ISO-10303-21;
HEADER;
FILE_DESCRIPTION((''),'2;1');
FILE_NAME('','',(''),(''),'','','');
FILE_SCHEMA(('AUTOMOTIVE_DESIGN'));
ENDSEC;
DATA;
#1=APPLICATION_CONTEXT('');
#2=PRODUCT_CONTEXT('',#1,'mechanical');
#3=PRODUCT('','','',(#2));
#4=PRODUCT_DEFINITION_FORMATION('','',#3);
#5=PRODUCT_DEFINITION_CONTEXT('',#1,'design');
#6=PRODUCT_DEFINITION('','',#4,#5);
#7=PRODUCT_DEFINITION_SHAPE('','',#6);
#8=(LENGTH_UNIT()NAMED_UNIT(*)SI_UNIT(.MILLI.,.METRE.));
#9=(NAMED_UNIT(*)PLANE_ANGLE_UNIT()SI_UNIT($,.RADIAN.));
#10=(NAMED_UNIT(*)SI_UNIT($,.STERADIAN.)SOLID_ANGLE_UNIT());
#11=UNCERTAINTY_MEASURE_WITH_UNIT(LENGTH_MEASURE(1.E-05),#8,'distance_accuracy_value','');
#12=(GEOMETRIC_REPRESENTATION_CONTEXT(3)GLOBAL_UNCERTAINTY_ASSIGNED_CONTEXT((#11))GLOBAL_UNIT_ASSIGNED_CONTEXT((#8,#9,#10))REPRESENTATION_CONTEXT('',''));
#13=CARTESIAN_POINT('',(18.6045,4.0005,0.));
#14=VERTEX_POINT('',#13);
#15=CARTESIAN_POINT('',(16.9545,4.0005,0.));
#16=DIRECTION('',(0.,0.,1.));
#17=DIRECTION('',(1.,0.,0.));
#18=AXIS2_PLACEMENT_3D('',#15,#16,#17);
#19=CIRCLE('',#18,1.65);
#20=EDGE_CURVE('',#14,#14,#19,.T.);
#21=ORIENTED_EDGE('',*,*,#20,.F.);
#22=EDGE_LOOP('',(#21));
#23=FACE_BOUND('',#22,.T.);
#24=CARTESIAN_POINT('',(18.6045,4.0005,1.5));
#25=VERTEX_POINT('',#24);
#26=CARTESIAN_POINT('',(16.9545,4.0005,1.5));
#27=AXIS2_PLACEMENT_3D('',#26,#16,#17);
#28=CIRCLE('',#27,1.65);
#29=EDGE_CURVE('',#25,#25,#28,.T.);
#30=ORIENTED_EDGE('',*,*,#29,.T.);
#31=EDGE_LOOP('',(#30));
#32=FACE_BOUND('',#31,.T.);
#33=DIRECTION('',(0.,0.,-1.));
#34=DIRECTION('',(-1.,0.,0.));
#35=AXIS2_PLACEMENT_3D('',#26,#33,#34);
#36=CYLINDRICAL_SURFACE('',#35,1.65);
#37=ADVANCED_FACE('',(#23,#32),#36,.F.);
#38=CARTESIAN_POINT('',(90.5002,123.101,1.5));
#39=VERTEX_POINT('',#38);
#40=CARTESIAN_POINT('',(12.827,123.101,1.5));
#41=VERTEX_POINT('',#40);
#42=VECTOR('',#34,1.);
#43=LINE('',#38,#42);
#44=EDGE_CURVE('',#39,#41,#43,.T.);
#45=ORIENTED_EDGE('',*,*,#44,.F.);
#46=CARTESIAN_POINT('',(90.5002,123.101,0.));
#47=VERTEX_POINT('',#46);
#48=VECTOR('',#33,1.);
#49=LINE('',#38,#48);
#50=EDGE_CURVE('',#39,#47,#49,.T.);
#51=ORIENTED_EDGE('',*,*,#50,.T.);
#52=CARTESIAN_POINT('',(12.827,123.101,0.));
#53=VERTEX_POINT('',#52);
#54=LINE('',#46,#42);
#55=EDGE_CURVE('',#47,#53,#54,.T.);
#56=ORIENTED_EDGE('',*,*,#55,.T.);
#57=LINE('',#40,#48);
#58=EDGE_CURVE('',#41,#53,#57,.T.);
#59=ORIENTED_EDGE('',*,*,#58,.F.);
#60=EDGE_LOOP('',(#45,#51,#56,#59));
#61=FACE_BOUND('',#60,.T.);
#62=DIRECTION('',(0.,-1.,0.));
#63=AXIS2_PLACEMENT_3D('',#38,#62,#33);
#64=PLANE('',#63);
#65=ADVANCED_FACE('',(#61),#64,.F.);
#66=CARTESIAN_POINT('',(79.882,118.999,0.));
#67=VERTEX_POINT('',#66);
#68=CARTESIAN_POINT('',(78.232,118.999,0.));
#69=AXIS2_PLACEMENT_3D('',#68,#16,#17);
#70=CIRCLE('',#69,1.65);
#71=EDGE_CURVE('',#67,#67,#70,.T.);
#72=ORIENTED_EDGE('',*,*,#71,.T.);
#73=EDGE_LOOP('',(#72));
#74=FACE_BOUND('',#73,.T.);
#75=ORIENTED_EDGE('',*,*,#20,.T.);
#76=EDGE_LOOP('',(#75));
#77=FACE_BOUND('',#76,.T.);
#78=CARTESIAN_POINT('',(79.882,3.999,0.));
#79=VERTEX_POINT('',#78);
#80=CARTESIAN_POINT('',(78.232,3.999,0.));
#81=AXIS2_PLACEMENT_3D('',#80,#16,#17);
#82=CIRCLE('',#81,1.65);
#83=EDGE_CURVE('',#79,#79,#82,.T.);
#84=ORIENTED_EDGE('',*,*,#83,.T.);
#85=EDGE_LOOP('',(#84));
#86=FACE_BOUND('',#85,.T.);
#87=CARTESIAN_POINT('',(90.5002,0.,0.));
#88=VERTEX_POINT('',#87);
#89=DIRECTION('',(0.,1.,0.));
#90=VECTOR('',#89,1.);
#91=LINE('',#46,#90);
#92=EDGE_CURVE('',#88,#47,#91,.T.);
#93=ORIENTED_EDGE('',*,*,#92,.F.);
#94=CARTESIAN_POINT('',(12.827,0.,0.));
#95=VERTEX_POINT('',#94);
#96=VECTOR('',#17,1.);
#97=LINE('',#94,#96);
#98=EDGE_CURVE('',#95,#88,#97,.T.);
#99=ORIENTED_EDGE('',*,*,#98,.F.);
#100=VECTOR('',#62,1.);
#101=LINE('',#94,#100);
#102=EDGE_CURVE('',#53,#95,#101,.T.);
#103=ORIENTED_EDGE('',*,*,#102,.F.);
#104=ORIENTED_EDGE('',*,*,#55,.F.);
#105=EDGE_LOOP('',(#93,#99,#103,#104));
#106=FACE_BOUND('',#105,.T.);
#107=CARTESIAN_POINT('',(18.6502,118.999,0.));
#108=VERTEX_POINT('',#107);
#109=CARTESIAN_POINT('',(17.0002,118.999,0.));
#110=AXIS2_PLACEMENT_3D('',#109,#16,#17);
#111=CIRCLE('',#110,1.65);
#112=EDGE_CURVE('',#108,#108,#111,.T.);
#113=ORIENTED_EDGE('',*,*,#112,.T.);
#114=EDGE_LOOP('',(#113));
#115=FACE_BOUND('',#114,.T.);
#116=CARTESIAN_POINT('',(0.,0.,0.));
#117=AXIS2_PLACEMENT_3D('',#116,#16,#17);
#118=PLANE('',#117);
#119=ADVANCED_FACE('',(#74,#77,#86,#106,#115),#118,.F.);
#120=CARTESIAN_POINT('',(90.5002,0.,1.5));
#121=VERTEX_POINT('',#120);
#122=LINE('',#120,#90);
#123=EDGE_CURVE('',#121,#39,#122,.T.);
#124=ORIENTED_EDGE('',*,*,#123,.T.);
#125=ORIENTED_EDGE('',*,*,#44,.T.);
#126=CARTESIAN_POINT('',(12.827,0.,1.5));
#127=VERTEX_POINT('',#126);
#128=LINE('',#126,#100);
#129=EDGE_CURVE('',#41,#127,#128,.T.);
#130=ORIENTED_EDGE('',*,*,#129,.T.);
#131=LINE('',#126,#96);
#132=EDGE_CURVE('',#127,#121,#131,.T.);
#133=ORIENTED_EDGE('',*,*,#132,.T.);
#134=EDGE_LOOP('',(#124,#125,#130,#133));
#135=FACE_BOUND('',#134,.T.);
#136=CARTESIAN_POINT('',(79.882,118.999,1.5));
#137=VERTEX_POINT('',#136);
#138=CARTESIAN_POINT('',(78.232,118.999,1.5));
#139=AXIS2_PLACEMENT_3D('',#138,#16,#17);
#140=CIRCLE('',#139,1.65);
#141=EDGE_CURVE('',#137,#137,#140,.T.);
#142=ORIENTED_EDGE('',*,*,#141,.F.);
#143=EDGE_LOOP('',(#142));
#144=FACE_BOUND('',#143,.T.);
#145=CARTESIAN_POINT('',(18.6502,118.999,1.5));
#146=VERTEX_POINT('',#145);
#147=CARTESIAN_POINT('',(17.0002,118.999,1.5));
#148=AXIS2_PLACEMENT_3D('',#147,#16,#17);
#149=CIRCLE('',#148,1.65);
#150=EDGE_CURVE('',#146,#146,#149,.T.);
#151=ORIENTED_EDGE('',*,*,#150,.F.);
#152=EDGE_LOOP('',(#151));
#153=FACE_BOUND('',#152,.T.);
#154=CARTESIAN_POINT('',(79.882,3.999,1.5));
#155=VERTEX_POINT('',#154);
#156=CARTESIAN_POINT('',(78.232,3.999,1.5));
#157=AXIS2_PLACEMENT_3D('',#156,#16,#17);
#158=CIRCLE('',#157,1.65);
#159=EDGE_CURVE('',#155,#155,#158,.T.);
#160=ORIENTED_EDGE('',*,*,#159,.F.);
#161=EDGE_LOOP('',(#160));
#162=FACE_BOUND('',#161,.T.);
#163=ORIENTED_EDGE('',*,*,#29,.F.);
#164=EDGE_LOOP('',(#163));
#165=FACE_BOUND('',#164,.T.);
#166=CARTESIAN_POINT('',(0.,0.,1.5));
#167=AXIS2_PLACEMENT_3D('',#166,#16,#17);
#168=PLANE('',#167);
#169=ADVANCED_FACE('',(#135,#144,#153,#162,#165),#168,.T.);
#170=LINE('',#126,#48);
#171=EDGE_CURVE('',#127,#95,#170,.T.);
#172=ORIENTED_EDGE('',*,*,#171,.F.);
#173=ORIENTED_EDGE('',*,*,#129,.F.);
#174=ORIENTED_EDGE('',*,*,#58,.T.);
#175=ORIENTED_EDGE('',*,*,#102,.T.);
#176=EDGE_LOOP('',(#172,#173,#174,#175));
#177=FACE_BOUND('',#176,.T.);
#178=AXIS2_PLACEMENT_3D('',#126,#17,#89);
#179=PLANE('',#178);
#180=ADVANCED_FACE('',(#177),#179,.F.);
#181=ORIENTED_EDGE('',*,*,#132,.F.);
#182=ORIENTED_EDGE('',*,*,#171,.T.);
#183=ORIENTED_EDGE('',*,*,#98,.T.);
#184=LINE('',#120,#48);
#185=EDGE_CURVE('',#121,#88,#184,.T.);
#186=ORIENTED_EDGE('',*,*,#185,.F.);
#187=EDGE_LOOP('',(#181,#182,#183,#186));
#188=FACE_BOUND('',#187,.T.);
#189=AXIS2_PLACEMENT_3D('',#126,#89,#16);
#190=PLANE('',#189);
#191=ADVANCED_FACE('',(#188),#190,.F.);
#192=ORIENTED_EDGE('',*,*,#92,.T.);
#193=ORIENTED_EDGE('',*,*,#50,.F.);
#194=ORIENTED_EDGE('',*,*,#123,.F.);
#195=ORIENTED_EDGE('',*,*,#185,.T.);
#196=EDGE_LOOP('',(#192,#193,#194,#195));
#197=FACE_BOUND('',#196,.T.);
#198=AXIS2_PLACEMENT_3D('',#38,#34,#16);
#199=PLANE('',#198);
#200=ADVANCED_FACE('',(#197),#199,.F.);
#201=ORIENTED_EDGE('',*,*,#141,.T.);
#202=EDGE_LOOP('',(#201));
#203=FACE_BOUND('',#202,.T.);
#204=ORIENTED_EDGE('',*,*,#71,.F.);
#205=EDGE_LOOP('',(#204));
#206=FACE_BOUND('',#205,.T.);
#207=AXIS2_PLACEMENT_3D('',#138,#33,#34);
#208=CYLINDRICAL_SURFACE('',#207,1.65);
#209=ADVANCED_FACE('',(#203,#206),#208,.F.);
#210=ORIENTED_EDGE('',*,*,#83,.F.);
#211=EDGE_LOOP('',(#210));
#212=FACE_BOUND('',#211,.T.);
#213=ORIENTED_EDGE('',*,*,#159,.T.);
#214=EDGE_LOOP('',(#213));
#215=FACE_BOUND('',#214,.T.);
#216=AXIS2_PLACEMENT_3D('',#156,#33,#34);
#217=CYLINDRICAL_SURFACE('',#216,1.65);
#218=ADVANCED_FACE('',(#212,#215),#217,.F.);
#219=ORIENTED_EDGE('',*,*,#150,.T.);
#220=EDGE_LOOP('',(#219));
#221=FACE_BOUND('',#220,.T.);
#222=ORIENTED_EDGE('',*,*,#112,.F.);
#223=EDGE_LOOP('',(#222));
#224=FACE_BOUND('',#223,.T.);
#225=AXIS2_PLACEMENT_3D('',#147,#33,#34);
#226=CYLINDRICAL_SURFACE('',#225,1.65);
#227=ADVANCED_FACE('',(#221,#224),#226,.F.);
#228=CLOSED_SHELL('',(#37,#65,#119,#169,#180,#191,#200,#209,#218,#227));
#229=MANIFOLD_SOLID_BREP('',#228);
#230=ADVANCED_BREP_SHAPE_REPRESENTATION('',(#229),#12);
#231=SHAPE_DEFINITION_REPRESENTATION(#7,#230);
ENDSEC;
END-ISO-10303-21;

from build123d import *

# Parameters (mm, degrees)
MODEL_R             = 1.65
BOSS_EXTRUDE1_DEPTH = 1.5


with BuildPart() as part:
    # Model → Boss-Extrude1 (new body)
    with BuildSketch(Plane.XY):
        Polygon((90.5002, 123.101), (90.5002, 123.038), (90.5002, 0.0508), (90.5002, 0), (12.827, 0), (12.827, 123.101), align=None)
        with Locations((17.0002, 118.999)):
            Circle(MODEL_R, mode=Mode.SUBTRACT)
        with Locations((16.9545, 4.0005)):
            Circle(MODEL_R, mode=Mode.SUBTRACT)
        with Locations((78.232, 3.999)):
            Circle(MODEL_R, mode=Mode.SUBTRACT)
        with Locations((78.232, 118.999)):
            Circle(MODEL_R, mode=Mode.SUBTRACT)
    extrude(amount=BOSS_EXTRUDE1_DEPTH)


solid = part.part
